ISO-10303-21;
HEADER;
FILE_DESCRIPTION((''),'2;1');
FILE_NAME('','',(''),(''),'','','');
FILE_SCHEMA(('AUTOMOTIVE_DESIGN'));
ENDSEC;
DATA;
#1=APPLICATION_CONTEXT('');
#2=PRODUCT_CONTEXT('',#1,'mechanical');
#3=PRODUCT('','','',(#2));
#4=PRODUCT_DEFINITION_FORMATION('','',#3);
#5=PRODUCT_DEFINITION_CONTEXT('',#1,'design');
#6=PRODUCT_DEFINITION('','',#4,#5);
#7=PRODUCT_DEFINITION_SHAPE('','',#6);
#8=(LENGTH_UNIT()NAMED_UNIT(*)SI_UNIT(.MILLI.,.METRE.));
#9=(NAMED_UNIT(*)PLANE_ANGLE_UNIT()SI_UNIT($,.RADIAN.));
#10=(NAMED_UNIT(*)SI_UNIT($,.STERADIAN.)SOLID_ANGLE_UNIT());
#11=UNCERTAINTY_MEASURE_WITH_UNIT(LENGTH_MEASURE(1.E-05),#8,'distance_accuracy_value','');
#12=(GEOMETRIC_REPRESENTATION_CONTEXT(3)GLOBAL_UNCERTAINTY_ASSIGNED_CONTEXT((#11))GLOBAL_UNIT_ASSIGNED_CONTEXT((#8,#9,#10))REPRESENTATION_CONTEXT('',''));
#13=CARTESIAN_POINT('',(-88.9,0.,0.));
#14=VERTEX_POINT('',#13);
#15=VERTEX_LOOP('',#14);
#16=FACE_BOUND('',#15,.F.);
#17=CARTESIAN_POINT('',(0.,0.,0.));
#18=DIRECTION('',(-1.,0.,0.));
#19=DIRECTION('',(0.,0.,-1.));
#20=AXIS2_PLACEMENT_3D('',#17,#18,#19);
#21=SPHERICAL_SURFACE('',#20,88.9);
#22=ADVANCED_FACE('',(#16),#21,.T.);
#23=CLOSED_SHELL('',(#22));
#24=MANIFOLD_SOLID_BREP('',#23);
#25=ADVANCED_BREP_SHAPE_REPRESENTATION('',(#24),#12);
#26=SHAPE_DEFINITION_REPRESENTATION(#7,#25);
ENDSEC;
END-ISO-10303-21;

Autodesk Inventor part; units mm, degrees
ref_plane "YZ Plane" through (0, 0, 0) normal (1, 0, 0) x (0, 1, 0)
ref_plane "XZ Plane" through (0, 0, 0) normal (0, 1, 0) x (-1, 0, 0)
ref_plane "XY Plane" through (0, 0, 0) normal (0, 0, 1) x (1, 0, 0)
sketch "Sketch1" plane through (0, 0, 0) normal (0, 1, 0) x (-1, 0, 0)
  circle A0 centre (0, 0) radius 88.9
  line L0 (88.9, 0) -> (-88.9, 0)
  dimension "d0" = 177.8
revolve "Revolution1" add sketch "Sketch1" angle 360 about axis through (-88.9, 0, 0) along (1, 0, 0) picked at (-14.8167, -25.6632) contours A0 L0
properties part number "Powercell.ver1-1111-2020"
